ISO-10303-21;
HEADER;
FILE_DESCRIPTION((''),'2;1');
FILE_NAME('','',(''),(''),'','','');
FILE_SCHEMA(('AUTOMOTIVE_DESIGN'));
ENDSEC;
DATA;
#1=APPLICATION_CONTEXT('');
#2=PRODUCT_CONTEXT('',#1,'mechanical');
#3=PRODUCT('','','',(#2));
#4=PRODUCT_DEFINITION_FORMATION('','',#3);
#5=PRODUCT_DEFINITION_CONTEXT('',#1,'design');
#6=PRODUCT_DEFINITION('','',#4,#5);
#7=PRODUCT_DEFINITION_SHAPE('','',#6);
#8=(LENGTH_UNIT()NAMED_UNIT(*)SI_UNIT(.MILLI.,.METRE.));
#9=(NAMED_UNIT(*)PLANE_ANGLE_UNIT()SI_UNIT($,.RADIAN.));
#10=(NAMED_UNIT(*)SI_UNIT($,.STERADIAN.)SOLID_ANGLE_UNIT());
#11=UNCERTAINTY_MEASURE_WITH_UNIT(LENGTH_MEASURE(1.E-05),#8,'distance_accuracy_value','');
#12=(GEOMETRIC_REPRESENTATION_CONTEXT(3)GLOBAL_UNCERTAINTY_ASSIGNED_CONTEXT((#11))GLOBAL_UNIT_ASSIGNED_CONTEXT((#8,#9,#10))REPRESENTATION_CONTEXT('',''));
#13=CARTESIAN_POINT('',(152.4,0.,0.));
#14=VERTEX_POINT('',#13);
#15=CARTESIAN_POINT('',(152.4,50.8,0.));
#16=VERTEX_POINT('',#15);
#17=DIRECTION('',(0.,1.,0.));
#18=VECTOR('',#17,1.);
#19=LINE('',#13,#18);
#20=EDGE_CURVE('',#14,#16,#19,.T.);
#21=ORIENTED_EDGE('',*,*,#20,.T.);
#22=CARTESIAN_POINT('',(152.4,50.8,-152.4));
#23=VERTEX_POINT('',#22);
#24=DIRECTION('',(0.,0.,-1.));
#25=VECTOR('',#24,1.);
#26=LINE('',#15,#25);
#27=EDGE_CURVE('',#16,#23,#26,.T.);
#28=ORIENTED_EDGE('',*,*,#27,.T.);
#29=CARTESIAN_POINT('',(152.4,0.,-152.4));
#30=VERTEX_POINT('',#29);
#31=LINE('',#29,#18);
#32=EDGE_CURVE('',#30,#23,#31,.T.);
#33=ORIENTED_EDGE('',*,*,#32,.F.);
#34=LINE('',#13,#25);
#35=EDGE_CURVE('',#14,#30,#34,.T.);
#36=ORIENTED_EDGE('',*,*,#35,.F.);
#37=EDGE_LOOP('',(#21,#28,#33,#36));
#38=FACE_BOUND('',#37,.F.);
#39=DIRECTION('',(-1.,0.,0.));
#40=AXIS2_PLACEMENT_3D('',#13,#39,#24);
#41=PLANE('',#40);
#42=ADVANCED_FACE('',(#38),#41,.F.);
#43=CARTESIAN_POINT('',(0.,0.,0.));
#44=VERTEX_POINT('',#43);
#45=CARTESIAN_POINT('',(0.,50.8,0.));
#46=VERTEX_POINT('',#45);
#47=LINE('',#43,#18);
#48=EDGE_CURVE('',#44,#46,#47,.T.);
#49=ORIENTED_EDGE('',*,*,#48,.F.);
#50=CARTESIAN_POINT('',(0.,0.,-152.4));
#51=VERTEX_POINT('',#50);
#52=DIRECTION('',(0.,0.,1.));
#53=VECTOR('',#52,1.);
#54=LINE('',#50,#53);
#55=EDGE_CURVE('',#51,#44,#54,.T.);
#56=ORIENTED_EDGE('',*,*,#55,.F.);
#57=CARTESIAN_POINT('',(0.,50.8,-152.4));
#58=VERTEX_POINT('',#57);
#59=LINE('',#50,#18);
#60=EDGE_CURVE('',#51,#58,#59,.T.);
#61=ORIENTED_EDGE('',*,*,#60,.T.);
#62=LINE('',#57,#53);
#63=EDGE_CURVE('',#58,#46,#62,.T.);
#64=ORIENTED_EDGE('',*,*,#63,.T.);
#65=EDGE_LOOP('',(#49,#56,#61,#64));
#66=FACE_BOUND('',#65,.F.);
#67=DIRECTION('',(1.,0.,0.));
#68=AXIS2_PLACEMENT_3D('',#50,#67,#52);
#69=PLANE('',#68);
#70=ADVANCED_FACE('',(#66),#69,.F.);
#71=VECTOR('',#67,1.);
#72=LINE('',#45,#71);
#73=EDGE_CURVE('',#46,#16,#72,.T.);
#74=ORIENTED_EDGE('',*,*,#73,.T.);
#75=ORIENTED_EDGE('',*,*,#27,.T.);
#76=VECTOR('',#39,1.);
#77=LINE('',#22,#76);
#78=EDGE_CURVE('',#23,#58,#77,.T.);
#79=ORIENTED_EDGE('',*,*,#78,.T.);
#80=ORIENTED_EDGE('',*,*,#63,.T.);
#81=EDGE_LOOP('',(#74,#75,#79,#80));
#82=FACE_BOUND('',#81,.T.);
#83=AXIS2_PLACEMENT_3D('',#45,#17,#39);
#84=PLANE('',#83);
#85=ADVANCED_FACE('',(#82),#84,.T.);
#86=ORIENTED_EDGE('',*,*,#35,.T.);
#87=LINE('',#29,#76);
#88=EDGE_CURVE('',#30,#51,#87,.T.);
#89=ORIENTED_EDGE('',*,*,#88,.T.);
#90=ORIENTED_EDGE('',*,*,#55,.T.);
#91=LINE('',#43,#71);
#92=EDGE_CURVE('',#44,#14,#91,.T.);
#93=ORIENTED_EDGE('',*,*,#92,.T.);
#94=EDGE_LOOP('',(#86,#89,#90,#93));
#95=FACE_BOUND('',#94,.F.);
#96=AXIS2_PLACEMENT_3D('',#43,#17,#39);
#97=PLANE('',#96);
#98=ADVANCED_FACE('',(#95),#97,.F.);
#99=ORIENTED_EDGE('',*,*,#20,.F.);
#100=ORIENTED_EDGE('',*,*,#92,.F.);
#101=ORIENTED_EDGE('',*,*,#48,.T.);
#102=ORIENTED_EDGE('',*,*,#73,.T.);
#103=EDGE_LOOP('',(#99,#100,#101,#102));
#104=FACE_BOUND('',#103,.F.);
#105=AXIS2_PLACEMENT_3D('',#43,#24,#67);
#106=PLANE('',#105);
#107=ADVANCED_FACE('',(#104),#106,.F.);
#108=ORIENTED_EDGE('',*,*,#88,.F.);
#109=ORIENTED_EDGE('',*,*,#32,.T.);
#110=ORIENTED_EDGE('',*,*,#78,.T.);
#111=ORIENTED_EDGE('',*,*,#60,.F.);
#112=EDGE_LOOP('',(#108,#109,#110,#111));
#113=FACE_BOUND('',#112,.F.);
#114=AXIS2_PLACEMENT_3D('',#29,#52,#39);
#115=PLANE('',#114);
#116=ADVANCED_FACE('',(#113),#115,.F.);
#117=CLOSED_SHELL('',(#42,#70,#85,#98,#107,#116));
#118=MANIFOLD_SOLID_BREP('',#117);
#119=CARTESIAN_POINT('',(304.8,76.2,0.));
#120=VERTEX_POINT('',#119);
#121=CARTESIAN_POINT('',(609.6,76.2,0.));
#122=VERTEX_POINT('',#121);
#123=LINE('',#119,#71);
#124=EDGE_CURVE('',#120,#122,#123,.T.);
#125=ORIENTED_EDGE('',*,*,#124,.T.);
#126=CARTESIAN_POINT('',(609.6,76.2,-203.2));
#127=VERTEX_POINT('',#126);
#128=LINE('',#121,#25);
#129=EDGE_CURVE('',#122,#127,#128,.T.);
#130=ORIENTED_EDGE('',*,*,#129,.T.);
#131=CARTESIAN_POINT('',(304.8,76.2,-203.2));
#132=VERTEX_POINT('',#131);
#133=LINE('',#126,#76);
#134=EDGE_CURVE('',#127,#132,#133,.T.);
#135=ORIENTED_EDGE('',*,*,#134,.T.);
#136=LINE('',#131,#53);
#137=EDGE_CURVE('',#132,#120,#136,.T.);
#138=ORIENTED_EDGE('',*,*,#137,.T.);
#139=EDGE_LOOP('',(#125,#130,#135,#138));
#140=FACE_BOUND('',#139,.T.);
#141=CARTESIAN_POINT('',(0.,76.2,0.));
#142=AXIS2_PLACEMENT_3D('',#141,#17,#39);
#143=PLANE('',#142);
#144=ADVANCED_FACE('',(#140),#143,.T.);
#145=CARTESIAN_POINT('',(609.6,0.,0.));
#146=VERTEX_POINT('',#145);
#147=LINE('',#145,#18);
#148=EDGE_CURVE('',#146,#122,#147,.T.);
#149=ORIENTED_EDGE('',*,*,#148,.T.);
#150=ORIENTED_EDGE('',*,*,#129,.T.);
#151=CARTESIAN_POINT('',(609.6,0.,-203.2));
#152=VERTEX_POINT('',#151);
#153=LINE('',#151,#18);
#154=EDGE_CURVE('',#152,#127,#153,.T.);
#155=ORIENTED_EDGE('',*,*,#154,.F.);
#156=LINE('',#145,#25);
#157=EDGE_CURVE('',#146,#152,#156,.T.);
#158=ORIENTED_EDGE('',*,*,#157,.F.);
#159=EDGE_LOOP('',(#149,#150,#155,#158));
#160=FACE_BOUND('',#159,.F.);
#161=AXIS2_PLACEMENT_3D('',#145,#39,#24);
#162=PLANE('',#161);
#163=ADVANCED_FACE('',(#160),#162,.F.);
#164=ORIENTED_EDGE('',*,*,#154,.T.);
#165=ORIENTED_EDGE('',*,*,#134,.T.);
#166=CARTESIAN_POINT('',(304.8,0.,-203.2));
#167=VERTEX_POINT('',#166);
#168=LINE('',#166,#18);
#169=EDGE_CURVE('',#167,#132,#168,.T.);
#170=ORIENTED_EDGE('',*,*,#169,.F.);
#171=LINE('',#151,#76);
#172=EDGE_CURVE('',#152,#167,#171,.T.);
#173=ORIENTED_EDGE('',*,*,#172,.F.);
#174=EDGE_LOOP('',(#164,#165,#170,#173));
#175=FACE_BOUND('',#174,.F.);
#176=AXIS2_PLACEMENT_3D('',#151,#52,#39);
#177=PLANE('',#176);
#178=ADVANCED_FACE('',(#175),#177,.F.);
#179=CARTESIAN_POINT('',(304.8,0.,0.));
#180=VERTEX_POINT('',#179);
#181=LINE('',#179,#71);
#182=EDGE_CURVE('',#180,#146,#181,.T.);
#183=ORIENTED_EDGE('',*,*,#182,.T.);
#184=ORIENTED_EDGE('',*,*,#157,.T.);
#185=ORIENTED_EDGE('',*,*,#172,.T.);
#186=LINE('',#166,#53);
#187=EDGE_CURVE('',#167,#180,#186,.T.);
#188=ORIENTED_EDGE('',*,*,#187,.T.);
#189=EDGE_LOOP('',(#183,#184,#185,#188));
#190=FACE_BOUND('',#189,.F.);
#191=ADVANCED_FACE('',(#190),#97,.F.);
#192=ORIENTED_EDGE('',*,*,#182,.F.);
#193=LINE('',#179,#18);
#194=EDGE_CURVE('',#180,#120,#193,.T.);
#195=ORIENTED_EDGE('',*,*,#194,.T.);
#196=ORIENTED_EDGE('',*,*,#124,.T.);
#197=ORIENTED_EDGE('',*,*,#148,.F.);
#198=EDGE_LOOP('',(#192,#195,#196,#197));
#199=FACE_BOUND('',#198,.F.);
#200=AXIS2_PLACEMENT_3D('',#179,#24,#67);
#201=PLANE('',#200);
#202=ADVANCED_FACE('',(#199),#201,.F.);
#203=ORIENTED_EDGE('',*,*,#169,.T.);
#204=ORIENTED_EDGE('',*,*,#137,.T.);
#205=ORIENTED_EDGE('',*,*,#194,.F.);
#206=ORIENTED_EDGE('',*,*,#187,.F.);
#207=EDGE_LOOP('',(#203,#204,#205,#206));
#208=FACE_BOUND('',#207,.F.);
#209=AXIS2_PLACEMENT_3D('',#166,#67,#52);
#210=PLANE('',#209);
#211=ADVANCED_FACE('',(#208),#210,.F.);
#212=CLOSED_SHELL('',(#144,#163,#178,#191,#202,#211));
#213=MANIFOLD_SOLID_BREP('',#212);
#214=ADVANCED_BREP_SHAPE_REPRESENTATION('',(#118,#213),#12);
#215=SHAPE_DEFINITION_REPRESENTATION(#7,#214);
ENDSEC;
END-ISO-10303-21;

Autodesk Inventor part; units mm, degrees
ref_plane "YZ Plane" through (0, 0, 0) normal (1, 0, 0) x (0, 1, 0)
ref_plane "XZ Plane" through (0, 0, 0) normal (0, 1, 0) x (-1, 0, 0)
ref_plane "XY Plane" through (0, 0, 0) normal (0, 0, 1) x (1, 0, 0)
sketch "Sketch2" plane through (0, 0, 0) normal (0, 1, 0) x (-1, 0, 0)
  line L0 (0, 0) -> (-152.4, 0)
  line L1 (-152.4, 0) -> (-152.4, -152.4)
  line L2 (-152.4, -152.4) -> (0, -152.4)
  line L3 (0, -152.4) -> (0, 0)
  line L4 (-304.8, 0) -> (-609.6, 0)
  line L5 (-609.6, 0) -> (-609.6, -203.2)
  line L6 (-609.6, -203.2) -> (-304.8, -203.2)
  line L7 (-304.8, -203.2) -> (-304.8, 0)
  dimension "d3" = 152.4
  dimension "d4" = 152.4
  dimension "d7" = 304.8
  dimension "d8" = 203.2
  dimension "d9" = 152.4
extrude "Extrusion1" add sketch "Sketch2" along normal blind 50.8 contours L3 L2 L1 L0
extrude "Extrusion2" add sketch "Sketch2" along normal blind 76.2 separate body contours L7 L6 L5 L4
